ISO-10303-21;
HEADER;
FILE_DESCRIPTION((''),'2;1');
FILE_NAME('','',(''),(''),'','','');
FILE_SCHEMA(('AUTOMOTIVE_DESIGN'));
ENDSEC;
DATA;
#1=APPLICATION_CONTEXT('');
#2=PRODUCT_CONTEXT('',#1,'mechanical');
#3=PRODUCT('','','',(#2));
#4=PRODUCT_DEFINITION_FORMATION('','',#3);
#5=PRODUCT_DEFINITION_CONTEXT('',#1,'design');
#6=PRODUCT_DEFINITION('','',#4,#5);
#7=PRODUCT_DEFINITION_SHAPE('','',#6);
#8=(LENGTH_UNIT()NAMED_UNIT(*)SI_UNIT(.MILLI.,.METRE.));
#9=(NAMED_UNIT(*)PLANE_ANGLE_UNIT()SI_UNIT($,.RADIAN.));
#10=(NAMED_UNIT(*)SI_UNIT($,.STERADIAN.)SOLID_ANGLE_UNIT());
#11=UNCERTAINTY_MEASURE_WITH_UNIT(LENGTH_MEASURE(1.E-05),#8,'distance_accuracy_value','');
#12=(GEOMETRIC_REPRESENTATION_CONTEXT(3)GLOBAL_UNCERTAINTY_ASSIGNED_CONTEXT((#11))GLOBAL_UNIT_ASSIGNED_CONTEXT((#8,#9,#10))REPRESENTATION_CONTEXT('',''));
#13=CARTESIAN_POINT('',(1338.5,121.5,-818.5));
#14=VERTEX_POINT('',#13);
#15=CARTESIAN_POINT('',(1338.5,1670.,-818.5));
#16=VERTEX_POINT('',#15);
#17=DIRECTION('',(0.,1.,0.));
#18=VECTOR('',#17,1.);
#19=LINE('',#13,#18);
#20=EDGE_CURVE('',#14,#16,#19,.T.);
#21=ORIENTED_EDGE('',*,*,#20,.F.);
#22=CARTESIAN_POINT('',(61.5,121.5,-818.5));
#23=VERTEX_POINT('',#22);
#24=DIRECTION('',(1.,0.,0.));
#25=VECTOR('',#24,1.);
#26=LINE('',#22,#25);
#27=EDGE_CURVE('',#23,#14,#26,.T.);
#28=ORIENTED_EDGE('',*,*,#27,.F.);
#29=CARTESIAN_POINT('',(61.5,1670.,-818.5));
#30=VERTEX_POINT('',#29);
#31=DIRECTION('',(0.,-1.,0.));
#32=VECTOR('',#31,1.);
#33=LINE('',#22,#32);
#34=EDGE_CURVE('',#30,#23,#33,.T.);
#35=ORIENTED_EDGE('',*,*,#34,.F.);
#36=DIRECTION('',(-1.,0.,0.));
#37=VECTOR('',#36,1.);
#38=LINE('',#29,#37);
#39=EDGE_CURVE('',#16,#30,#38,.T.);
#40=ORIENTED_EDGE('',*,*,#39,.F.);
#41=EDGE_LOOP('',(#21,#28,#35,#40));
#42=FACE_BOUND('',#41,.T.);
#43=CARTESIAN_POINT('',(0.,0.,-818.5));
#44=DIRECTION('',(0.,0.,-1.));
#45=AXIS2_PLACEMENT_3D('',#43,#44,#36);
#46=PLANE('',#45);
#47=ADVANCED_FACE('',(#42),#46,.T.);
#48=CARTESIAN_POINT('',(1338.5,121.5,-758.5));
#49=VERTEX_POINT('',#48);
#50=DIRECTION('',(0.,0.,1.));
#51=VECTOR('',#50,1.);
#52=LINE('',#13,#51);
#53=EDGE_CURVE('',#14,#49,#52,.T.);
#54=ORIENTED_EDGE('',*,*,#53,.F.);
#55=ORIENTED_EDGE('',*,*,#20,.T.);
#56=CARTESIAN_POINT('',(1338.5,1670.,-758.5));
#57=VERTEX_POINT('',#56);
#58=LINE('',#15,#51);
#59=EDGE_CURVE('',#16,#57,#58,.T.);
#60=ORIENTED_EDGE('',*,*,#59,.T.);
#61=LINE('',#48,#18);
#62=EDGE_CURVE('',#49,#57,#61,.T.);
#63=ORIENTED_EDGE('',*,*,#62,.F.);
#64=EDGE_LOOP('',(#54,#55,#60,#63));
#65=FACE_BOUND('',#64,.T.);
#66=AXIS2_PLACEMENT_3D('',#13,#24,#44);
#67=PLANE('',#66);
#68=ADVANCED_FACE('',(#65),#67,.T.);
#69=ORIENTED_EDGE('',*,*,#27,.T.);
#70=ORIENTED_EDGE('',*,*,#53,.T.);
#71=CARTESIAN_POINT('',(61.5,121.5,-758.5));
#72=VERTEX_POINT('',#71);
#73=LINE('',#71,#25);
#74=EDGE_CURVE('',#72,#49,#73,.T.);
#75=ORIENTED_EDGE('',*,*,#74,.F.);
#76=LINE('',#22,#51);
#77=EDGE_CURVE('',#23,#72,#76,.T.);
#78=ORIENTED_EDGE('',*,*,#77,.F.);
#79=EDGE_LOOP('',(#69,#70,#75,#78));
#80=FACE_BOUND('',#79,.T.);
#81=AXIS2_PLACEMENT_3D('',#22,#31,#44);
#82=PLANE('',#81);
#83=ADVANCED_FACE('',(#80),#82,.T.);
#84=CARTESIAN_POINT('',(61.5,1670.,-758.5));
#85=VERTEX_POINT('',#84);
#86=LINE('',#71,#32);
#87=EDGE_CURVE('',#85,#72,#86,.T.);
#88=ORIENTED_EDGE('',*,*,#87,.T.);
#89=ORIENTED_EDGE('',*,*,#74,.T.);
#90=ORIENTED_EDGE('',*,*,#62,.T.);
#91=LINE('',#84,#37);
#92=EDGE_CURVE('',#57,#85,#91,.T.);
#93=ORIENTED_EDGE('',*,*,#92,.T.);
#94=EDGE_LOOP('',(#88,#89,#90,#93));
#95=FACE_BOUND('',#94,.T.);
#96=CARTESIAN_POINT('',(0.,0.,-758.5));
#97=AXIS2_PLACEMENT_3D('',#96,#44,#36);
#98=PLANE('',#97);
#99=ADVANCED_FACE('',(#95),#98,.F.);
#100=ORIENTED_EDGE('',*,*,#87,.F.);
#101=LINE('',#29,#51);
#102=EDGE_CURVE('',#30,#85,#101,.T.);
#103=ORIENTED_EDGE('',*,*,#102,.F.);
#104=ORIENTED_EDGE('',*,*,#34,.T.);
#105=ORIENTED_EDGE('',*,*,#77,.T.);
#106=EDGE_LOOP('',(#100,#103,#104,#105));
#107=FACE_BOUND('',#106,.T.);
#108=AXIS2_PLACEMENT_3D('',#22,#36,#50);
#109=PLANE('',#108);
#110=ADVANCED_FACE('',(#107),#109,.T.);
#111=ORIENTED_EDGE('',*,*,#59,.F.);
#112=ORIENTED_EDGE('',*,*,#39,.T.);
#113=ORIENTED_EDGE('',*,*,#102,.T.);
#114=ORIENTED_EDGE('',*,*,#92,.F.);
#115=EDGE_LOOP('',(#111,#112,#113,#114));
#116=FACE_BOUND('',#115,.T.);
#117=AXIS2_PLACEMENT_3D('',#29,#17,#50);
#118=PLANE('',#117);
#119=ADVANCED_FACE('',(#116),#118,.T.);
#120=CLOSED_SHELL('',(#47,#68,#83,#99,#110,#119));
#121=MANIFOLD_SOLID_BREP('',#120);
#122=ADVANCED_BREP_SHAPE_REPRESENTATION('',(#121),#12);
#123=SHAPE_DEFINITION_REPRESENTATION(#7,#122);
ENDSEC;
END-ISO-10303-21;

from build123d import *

# Parameters (mm, degrees)
STORE_PU_ARKA_1_START = -758.5
SKETCH1_W             = 1277
SKETCH1_H             = 1548.5
STORE_PU_ARKA_1_DEPTH = 60


with BuildPart() as part:
    # Sketch1 → STORE_pu_arka_1 (new body)
    with BuildSketch(Plane.XY.offset(STORE_PU_ARKA_1_START)):
        with Locations((700, 895.75)):
            Rectangle(SKETCH1_W, SKETCH1_H)
    extrude(amount=-STORE_PU_ARKA_1_DEPTH)


solid = part.part
